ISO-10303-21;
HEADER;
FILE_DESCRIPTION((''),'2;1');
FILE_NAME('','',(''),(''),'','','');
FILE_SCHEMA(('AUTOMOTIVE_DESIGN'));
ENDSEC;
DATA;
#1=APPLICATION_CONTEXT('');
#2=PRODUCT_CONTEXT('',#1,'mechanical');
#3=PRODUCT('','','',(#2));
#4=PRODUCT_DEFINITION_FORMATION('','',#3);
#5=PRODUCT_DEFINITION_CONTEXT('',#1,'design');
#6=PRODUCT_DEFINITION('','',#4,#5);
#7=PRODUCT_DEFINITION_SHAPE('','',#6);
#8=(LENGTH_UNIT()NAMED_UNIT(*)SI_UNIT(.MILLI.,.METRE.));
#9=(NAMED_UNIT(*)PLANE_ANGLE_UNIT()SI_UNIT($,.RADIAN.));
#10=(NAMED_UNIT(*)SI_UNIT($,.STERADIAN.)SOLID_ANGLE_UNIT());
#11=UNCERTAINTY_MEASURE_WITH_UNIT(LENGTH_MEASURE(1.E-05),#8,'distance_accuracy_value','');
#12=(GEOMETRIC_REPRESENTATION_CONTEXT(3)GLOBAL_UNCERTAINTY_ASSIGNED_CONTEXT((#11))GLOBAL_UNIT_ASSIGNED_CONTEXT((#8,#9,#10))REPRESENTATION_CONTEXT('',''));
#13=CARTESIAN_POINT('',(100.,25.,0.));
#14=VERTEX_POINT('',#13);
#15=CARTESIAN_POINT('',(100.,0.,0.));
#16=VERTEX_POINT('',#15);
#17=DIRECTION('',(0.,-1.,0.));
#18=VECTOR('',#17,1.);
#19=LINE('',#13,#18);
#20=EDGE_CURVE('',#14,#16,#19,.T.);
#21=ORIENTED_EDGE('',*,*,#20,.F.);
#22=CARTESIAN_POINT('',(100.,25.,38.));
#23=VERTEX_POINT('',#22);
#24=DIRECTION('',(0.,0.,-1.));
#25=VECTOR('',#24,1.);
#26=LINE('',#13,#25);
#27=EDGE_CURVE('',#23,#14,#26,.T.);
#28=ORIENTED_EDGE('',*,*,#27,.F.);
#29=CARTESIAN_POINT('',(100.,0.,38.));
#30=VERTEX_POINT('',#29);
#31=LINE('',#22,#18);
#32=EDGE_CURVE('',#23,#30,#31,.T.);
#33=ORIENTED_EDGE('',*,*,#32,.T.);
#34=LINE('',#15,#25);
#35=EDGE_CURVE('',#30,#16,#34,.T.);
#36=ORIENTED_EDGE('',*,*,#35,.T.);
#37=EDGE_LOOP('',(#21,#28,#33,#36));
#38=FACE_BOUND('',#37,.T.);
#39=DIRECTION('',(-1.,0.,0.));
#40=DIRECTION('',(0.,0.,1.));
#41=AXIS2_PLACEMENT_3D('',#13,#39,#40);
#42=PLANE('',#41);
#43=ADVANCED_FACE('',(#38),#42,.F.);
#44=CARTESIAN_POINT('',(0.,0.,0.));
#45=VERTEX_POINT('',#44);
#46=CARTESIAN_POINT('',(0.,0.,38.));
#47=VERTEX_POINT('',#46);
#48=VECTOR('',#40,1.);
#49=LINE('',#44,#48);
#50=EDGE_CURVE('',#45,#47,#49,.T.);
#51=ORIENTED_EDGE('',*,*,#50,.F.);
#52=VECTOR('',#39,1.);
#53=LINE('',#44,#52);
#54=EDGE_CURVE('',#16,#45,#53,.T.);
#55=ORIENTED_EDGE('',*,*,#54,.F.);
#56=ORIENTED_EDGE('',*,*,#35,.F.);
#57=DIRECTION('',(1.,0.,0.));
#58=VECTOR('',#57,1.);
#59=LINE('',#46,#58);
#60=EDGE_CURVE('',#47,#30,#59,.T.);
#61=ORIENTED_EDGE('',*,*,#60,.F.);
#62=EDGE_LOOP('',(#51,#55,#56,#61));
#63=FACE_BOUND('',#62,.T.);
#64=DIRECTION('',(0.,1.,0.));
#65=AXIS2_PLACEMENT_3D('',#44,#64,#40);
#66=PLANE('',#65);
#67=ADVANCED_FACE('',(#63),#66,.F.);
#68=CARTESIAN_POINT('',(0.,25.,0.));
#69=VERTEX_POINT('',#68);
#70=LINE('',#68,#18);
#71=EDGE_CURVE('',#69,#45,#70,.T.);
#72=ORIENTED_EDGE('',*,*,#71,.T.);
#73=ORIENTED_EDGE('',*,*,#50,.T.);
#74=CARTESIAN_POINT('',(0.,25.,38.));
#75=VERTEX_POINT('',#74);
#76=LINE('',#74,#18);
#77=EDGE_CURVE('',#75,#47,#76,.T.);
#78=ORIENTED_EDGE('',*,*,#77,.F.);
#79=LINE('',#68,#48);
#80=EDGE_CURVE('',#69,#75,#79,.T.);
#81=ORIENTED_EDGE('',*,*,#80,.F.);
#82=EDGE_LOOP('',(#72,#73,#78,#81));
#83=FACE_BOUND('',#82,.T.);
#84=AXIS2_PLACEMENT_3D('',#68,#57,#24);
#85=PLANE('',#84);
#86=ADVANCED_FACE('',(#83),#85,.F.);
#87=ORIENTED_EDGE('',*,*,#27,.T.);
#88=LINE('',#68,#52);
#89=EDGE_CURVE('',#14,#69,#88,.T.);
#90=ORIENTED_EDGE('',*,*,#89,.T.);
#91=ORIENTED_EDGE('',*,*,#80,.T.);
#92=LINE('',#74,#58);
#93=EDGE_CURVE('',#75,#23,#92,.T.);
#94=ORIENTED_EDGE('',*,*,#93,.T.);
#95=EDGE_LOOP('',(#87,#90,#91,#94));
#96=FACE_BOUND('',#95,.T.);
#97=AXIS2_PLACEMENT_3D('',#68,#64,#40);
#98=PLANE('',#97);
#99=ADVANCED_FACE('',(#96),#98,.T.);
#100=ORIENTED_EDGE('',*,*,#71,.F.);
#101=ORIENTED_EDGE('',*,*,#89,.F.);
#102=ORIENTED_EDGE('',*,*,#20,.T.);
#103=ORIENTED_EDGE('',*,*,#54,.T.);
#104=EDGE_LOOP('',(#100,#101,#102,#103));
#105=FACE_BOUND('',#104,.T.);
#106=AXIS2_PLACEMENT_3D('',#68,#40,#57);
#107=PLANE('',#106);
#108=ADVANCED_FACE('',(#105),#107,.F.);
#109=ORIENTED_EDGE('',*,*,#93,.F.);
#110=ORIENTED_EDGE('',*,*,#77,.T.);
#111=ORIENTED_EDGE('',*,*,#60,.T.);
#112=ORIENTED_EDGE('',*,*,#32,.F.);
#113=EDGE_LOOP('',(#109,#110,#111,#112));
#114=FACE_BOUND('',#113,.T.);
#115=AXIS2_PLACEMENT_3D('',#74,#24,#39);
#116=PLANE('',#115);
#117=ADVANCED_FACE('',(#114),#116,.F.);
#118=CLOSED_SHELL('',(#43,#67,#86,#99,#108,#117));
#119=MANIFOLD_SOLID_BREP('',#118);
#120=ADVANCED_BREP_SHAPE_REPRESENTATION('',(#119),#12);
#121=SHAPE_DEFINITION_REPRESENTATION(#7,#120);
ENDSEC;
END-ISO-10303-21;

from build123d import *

# Parameters (mm, degrees)
SKETCH_1_W      = 100
SKETCH_1_H      = 38
EXTRUDE_1_DEPTH = 25


with BuildPart() as part:
    # 草图1 → 凸台-拉伸1 (new body)
    with BuildSketch(Plane(origin=(0, 0, 0), x_dir=(1, 0, 0), z_dir=(0, 1, 0))):
        with Locations((50, -19)):
            Rectangle(SKETCH_1_W, SKETCH_1_H)
    extrude(amount=EXTRUDE_1_DEPTH)


solid = part.part
